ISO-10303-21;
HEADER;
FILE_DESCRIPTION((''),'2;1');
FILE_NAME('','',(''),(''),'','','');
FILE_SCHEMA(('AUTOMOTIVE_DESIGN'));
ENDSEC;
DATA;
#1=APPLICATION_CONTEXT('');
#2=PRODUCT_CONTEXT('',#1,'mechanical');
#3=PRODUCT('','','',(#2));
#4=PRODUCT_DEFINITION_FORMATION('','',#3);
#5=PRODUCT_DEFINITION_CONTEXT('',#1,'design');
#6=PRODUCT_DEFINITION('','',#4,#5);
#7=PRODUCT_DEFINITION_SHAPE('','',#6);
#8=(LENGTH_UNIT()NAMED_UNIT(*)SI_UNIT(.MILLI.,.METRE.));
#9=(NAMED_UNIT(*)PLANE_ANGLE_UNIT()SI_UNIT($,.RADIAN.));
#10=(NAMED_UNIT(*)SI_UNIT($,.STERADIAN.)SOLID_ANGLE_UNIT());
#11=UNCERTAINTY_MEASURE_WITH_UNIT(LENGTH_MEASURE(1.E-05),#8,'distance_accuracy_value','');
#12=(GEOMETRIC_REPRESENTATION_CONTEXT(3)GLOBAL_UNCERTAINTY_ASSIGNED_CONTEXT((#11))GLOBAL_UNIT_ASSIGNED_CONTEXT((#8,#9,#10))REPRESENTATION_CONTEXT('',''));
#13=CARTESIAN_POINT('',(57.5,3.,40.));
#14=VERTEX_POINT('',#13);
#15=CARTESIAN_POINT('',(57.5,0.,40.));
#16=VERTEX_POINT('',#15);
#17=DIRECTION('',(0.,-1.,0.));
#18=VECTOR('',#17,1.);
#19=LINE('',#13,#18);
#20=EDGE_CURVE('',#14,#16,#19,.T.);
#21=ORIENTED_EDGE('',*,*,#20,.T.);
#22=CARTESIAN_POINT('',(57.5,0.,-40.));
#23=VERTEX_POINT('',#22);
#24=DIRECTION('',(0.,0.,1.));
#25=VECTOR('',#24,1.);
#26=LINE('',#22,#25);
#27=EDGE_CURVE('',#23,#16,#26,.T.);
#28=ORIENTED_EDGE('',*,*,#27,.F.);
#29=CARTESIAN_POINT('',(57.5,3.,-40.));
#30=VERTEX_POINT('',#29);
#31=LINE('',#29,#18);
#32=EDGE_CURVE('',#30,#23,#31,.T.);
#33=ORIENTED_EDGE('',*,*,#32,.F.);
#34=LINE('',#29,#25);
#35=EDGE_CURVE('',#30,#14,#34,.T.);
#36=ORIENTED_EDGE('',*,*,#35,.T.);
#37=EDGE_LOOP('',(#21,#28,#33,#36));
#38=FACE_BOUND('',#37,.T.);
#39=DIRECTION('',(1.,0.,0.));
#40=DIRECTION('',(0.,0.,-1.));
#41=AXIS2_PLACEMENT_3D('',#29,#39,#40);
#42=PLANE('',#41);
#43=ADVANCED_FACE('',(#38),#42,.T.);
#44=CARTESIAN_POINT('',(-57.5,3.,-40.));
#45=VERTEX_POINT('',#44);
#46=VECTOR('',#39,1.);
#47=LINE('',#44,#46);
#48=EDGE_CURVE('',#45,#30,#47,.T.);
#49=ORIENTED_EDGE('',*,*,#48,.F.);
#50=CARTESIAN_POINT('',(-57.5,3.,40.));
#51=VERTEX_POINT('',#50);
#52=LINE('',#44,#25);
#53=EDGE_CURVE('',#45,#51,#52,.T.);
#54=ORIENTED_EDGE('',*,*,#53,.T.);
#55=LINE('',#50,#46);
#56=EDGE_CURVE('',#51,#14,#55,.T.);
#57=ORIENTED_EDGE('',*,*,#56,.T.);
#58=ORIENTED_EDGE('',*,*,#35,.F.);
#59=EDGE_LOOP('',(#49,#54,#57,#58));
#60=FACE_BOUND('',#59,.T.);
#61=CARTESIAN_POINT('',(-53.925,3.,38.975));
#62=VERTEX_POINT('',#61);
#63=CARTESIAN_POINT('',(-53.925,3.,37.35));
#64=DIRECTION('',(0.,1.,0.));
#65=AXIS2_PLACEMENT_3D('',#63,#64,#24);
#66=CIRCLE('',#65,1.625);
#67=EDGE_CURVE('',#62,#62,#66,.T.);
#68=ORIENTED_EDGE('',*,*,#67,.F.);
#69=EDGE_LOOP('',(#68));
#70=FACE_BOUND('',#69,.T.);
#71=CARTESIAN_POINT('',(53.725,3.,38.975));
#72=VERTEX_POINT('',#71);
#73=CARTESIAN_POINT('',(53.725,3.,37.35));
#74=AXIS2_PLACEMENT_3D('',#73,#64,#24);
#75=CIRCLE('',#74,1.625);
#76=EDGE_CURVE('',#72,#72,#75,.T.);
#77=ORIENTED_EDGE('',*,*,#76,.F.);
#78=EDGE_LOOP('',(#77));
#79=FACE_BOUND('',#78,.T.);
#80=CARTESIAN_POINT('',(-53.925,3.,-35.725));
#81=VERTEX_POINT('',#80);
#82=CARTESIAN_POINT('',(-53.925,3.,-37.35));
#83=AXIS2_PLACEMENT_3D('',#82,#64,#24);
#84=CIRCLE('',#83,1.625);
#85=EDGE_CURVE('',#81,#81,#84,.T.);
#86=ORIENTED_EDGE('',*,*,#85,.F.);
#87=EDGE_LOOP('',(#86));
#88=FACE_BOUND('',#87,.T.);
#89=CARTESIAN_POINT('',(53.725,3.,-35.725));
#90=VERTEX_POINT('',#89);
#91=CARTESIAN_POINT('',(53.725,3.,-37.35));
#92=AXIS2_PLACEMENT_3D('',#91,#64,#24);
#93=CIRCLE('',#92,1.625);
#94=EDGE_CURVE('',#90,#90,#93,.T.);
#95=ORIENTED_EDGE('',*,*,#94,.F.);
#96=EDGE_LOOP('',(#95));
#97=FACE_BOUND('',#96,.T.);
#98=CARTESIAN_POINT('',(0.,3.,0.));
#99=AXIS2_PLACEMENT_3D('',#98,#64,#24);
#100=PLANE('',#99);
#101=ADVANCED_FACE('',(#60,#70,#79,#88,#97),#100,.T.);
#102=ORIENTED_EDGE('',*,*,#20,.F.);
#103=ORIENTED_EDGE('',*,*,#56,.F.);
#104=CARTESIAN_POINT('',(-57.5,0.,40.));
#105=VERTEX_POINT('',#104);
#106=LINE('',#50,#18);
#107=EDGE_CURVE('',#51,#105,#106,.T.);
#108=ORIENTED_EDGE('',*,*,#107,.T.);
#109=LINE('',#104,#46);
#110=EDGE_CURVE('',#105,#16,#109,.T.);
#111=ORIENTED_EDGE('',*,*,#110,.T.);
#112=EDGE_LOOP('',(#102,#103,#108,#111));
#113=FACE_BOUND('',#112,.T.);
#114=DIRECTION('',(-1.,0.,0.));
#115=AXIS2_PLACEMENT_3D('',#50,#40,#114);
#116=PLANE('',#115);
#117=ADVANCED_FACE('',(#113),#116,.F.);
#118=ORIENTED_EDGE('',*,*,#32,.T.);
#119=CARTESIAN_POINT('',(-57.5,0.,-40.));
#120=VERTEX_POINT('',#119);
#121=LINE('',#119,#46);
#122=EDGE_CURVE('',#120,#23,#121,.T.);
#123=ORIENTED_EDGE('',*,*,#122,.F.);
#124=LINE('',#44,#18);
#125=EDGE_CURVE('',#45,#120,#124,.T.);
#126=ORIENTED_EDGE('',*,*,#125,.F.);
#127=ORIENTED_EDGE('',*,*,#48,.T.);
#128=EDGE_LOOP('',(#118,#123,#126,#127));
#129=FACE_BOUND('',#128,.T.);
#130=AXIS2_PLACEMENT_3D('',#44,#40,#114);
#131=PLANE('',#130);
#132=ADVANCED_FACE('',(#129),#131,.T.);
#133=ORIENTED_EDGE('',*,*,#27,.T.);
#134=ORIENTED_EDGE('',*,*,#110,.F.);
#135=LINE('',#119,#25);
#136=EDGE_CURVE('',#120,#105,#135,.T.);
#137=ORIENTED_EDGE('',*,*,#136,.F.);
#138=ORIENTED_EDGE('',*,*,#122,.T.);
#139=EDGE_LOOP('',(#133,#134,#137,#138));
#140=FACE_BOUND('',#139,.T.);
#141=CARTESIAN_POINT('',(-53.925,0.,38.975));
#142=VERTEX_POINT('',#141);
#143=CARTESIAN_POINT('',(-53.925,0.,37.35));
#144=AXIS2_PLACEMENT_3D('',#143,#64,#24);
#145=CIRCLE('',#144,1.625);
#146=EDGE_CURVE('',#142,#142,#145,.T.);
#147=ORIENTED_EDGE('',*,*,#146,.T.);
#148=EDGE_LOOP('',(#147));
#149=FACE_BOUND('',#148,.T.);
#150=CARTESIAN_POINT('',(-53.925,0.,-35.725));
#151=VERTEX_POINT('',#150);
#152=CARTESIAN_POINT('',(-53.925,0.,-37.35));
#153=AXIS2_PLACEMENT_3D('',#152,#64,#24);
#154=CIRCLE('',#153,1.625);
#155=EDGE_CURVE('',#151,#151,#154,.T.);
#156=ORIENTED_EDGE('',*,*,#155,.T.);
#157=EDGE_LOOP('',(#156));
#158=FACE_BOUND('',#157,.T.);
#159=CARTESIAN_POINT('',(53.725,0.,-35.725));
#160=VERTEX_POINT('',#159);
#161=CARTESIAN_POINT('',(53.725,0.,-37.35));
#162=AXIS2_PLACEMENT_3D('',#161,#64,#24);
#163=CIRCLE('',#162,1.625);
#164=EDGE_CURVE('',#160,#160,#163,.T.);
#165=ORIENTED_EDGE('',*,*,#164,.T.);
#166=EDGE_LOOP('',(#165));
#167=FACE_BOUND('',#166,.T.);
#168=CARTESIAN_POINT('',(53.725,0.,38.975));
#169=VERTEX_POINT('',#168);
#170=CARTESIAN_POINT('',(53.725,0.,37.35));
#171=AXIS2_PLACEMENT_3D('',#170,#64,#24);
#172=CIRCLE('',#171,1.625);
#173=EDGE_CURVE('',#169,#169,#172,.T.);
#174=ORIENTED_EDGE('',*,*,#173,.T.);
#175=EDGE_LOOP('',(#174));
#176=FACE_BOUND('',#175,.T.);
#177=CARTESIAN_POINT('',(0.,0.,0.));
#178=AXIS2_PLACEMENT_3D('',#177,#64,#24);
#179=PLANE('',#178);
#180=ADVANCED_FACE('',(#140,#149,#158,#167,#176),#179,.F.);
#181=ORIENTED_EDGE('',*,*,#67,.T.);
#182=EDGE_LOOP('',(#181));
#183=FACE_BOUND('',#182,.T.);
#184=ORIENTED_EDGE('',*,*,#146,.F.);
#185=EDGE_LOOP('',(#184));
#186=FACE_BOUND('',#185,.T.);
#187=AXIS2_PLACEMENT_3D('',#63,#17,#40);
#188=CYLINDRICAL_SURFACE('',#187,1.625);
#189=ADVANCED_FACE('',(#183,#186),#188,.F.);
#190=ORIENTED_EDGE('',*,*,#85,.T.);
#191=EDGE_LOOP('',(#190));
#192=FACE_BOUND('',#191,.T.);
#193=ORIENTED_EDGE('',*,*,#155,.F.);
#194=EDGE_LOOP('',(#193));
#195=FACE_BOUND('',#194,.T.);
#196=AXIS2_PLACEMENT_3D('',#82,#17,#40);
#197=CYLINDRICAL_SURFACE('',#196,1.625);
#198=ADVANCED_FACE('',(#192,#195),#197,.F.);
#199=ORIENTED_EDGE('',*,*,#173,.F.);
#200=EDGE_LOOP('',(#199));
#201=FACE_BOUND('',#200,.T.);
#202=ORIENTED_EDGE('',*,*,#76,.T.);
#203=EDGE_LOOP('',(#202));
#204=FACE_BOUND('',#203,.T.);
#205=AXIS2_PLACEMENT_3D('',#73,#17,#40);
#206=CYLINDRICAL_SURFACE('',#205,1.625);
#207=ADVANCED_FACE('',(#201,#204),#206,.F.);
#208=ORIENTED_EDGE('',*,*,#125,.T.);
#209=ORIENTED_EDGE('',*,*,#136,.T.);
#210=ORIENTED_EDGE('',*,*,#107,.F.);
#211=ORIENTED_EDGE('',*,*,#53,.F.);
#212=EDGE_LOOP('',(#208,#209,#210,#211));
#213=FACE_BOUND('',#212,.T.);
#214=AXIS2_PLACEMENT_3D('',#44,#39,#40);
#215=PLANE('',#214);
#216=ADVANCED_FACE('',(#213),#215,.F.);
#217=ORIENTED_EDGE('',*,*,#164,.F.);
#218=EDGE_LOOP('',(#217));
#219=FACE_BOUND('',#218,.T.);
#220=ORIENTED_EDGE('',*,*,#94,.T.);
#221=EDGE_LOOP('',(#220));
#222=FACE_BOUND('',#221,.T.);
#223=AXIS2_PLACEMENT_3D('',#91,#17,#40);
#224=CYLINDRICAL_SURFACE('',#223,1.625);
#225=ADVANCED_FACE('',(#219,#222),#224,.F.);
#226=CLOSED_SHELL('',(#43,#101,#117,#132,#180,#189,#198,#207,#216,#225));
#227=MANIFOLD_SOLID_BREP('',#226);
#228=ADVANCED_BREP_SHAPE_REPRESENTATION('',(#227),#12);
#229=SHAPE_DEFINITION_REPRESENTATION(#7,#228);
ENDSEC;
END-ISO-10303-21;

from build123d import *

# Parameters (mm, degrees)
SKETCH_1_W             = 115
SKETCH_1_H             = 80
EXTRUDE_1_DEPTH        = 3
SKETCH_1_4_OUTSIDE_W   = 145.024
SKETCH_1_4_OUTSIDE_H   = 110.024
SKETCH_1_4_OUTSIDE_W_2 = 115
SKETCH_1_4_OUTSIDE_H_2 = 80
SKETCH_1_4_OUTSIDE_R   = 1.625
CUT_EXTRUDE_3_DEPTH    = 3


with BuildPart() as part:
    # 草图1 → 凸台-拉伸1 (new body)
    with BuildSketch(Plane(origin=(0, 0, 0), x_dir=(1, 0, 0), z_dir=(0, 1, 0))):
        Rectangle(SKETCH_1_W, SKETCH_1_H)
    extrude(amount=EXTRUDE_1_DEPTH)

    # 草图1<4> outside → 切除-拉伸3 (cut)
    # profile 1 of 5: a face of its own
    with BuildSketch(Plane(origin=(0, 0, 0), x_dir=(1, 0, 0), z_dir=(0, 1, 0))):
        Rectangle(SKETCH_1_4_OUTSIDE_W, SKETCH_1_4_OUTSIDE_H)
        Rectangle(SKETCH_1_4_OUTSIDE_W_2, SKETCH_1_4_OUTSIDE_H_2, mode=Mode.SUBTRACT)
    # profile 2 of 5: a face of its own
    with BuildSketch(Plane(origin=(0, 0, 0), x_dir=(1, 0, 0), z_dir=(0, 1, 0))):
        with Locations((-53.925, 37.35)):
            Circle(SKETCH_1_4_OUTSIDE_R)
    # profile 3 of 5: a face of its own
    with BuildSketch(Plane(origin=(0, 0, 0), x_dir=(1, 0, 0), z_dir=(0, 1, 0))):
        with Locations((53.725, 37.35)):
            Circle(SKETCH_1_4_OUTSIDE_R)
    # profile 4 of 5: a face of its own
    with BuildSketch(Plane(origin=(0, 0, 0), x_dir=(1, 0, 0), z_dir=(0, 1, 0))):
        with Locations((-53.925, -37.35)):
            Circle(SKETCH_1_4_OUTSIDE_R)
    # profile 5 of 5: a face of its own
    with BuildSketch(Plane(origin=(0, 0, 0), x_dir=(1, 0, 0), z_dir=(0, 1, 0))):
        with Locations((53.725, -37.35)):
            Circle(SKETCH_1_4_OUTSIDE_R)
    extrude(amount=CUT_EXTRUDE_3_DEPTH, mode=Mode.SUBTRACT)


solid = part.part
